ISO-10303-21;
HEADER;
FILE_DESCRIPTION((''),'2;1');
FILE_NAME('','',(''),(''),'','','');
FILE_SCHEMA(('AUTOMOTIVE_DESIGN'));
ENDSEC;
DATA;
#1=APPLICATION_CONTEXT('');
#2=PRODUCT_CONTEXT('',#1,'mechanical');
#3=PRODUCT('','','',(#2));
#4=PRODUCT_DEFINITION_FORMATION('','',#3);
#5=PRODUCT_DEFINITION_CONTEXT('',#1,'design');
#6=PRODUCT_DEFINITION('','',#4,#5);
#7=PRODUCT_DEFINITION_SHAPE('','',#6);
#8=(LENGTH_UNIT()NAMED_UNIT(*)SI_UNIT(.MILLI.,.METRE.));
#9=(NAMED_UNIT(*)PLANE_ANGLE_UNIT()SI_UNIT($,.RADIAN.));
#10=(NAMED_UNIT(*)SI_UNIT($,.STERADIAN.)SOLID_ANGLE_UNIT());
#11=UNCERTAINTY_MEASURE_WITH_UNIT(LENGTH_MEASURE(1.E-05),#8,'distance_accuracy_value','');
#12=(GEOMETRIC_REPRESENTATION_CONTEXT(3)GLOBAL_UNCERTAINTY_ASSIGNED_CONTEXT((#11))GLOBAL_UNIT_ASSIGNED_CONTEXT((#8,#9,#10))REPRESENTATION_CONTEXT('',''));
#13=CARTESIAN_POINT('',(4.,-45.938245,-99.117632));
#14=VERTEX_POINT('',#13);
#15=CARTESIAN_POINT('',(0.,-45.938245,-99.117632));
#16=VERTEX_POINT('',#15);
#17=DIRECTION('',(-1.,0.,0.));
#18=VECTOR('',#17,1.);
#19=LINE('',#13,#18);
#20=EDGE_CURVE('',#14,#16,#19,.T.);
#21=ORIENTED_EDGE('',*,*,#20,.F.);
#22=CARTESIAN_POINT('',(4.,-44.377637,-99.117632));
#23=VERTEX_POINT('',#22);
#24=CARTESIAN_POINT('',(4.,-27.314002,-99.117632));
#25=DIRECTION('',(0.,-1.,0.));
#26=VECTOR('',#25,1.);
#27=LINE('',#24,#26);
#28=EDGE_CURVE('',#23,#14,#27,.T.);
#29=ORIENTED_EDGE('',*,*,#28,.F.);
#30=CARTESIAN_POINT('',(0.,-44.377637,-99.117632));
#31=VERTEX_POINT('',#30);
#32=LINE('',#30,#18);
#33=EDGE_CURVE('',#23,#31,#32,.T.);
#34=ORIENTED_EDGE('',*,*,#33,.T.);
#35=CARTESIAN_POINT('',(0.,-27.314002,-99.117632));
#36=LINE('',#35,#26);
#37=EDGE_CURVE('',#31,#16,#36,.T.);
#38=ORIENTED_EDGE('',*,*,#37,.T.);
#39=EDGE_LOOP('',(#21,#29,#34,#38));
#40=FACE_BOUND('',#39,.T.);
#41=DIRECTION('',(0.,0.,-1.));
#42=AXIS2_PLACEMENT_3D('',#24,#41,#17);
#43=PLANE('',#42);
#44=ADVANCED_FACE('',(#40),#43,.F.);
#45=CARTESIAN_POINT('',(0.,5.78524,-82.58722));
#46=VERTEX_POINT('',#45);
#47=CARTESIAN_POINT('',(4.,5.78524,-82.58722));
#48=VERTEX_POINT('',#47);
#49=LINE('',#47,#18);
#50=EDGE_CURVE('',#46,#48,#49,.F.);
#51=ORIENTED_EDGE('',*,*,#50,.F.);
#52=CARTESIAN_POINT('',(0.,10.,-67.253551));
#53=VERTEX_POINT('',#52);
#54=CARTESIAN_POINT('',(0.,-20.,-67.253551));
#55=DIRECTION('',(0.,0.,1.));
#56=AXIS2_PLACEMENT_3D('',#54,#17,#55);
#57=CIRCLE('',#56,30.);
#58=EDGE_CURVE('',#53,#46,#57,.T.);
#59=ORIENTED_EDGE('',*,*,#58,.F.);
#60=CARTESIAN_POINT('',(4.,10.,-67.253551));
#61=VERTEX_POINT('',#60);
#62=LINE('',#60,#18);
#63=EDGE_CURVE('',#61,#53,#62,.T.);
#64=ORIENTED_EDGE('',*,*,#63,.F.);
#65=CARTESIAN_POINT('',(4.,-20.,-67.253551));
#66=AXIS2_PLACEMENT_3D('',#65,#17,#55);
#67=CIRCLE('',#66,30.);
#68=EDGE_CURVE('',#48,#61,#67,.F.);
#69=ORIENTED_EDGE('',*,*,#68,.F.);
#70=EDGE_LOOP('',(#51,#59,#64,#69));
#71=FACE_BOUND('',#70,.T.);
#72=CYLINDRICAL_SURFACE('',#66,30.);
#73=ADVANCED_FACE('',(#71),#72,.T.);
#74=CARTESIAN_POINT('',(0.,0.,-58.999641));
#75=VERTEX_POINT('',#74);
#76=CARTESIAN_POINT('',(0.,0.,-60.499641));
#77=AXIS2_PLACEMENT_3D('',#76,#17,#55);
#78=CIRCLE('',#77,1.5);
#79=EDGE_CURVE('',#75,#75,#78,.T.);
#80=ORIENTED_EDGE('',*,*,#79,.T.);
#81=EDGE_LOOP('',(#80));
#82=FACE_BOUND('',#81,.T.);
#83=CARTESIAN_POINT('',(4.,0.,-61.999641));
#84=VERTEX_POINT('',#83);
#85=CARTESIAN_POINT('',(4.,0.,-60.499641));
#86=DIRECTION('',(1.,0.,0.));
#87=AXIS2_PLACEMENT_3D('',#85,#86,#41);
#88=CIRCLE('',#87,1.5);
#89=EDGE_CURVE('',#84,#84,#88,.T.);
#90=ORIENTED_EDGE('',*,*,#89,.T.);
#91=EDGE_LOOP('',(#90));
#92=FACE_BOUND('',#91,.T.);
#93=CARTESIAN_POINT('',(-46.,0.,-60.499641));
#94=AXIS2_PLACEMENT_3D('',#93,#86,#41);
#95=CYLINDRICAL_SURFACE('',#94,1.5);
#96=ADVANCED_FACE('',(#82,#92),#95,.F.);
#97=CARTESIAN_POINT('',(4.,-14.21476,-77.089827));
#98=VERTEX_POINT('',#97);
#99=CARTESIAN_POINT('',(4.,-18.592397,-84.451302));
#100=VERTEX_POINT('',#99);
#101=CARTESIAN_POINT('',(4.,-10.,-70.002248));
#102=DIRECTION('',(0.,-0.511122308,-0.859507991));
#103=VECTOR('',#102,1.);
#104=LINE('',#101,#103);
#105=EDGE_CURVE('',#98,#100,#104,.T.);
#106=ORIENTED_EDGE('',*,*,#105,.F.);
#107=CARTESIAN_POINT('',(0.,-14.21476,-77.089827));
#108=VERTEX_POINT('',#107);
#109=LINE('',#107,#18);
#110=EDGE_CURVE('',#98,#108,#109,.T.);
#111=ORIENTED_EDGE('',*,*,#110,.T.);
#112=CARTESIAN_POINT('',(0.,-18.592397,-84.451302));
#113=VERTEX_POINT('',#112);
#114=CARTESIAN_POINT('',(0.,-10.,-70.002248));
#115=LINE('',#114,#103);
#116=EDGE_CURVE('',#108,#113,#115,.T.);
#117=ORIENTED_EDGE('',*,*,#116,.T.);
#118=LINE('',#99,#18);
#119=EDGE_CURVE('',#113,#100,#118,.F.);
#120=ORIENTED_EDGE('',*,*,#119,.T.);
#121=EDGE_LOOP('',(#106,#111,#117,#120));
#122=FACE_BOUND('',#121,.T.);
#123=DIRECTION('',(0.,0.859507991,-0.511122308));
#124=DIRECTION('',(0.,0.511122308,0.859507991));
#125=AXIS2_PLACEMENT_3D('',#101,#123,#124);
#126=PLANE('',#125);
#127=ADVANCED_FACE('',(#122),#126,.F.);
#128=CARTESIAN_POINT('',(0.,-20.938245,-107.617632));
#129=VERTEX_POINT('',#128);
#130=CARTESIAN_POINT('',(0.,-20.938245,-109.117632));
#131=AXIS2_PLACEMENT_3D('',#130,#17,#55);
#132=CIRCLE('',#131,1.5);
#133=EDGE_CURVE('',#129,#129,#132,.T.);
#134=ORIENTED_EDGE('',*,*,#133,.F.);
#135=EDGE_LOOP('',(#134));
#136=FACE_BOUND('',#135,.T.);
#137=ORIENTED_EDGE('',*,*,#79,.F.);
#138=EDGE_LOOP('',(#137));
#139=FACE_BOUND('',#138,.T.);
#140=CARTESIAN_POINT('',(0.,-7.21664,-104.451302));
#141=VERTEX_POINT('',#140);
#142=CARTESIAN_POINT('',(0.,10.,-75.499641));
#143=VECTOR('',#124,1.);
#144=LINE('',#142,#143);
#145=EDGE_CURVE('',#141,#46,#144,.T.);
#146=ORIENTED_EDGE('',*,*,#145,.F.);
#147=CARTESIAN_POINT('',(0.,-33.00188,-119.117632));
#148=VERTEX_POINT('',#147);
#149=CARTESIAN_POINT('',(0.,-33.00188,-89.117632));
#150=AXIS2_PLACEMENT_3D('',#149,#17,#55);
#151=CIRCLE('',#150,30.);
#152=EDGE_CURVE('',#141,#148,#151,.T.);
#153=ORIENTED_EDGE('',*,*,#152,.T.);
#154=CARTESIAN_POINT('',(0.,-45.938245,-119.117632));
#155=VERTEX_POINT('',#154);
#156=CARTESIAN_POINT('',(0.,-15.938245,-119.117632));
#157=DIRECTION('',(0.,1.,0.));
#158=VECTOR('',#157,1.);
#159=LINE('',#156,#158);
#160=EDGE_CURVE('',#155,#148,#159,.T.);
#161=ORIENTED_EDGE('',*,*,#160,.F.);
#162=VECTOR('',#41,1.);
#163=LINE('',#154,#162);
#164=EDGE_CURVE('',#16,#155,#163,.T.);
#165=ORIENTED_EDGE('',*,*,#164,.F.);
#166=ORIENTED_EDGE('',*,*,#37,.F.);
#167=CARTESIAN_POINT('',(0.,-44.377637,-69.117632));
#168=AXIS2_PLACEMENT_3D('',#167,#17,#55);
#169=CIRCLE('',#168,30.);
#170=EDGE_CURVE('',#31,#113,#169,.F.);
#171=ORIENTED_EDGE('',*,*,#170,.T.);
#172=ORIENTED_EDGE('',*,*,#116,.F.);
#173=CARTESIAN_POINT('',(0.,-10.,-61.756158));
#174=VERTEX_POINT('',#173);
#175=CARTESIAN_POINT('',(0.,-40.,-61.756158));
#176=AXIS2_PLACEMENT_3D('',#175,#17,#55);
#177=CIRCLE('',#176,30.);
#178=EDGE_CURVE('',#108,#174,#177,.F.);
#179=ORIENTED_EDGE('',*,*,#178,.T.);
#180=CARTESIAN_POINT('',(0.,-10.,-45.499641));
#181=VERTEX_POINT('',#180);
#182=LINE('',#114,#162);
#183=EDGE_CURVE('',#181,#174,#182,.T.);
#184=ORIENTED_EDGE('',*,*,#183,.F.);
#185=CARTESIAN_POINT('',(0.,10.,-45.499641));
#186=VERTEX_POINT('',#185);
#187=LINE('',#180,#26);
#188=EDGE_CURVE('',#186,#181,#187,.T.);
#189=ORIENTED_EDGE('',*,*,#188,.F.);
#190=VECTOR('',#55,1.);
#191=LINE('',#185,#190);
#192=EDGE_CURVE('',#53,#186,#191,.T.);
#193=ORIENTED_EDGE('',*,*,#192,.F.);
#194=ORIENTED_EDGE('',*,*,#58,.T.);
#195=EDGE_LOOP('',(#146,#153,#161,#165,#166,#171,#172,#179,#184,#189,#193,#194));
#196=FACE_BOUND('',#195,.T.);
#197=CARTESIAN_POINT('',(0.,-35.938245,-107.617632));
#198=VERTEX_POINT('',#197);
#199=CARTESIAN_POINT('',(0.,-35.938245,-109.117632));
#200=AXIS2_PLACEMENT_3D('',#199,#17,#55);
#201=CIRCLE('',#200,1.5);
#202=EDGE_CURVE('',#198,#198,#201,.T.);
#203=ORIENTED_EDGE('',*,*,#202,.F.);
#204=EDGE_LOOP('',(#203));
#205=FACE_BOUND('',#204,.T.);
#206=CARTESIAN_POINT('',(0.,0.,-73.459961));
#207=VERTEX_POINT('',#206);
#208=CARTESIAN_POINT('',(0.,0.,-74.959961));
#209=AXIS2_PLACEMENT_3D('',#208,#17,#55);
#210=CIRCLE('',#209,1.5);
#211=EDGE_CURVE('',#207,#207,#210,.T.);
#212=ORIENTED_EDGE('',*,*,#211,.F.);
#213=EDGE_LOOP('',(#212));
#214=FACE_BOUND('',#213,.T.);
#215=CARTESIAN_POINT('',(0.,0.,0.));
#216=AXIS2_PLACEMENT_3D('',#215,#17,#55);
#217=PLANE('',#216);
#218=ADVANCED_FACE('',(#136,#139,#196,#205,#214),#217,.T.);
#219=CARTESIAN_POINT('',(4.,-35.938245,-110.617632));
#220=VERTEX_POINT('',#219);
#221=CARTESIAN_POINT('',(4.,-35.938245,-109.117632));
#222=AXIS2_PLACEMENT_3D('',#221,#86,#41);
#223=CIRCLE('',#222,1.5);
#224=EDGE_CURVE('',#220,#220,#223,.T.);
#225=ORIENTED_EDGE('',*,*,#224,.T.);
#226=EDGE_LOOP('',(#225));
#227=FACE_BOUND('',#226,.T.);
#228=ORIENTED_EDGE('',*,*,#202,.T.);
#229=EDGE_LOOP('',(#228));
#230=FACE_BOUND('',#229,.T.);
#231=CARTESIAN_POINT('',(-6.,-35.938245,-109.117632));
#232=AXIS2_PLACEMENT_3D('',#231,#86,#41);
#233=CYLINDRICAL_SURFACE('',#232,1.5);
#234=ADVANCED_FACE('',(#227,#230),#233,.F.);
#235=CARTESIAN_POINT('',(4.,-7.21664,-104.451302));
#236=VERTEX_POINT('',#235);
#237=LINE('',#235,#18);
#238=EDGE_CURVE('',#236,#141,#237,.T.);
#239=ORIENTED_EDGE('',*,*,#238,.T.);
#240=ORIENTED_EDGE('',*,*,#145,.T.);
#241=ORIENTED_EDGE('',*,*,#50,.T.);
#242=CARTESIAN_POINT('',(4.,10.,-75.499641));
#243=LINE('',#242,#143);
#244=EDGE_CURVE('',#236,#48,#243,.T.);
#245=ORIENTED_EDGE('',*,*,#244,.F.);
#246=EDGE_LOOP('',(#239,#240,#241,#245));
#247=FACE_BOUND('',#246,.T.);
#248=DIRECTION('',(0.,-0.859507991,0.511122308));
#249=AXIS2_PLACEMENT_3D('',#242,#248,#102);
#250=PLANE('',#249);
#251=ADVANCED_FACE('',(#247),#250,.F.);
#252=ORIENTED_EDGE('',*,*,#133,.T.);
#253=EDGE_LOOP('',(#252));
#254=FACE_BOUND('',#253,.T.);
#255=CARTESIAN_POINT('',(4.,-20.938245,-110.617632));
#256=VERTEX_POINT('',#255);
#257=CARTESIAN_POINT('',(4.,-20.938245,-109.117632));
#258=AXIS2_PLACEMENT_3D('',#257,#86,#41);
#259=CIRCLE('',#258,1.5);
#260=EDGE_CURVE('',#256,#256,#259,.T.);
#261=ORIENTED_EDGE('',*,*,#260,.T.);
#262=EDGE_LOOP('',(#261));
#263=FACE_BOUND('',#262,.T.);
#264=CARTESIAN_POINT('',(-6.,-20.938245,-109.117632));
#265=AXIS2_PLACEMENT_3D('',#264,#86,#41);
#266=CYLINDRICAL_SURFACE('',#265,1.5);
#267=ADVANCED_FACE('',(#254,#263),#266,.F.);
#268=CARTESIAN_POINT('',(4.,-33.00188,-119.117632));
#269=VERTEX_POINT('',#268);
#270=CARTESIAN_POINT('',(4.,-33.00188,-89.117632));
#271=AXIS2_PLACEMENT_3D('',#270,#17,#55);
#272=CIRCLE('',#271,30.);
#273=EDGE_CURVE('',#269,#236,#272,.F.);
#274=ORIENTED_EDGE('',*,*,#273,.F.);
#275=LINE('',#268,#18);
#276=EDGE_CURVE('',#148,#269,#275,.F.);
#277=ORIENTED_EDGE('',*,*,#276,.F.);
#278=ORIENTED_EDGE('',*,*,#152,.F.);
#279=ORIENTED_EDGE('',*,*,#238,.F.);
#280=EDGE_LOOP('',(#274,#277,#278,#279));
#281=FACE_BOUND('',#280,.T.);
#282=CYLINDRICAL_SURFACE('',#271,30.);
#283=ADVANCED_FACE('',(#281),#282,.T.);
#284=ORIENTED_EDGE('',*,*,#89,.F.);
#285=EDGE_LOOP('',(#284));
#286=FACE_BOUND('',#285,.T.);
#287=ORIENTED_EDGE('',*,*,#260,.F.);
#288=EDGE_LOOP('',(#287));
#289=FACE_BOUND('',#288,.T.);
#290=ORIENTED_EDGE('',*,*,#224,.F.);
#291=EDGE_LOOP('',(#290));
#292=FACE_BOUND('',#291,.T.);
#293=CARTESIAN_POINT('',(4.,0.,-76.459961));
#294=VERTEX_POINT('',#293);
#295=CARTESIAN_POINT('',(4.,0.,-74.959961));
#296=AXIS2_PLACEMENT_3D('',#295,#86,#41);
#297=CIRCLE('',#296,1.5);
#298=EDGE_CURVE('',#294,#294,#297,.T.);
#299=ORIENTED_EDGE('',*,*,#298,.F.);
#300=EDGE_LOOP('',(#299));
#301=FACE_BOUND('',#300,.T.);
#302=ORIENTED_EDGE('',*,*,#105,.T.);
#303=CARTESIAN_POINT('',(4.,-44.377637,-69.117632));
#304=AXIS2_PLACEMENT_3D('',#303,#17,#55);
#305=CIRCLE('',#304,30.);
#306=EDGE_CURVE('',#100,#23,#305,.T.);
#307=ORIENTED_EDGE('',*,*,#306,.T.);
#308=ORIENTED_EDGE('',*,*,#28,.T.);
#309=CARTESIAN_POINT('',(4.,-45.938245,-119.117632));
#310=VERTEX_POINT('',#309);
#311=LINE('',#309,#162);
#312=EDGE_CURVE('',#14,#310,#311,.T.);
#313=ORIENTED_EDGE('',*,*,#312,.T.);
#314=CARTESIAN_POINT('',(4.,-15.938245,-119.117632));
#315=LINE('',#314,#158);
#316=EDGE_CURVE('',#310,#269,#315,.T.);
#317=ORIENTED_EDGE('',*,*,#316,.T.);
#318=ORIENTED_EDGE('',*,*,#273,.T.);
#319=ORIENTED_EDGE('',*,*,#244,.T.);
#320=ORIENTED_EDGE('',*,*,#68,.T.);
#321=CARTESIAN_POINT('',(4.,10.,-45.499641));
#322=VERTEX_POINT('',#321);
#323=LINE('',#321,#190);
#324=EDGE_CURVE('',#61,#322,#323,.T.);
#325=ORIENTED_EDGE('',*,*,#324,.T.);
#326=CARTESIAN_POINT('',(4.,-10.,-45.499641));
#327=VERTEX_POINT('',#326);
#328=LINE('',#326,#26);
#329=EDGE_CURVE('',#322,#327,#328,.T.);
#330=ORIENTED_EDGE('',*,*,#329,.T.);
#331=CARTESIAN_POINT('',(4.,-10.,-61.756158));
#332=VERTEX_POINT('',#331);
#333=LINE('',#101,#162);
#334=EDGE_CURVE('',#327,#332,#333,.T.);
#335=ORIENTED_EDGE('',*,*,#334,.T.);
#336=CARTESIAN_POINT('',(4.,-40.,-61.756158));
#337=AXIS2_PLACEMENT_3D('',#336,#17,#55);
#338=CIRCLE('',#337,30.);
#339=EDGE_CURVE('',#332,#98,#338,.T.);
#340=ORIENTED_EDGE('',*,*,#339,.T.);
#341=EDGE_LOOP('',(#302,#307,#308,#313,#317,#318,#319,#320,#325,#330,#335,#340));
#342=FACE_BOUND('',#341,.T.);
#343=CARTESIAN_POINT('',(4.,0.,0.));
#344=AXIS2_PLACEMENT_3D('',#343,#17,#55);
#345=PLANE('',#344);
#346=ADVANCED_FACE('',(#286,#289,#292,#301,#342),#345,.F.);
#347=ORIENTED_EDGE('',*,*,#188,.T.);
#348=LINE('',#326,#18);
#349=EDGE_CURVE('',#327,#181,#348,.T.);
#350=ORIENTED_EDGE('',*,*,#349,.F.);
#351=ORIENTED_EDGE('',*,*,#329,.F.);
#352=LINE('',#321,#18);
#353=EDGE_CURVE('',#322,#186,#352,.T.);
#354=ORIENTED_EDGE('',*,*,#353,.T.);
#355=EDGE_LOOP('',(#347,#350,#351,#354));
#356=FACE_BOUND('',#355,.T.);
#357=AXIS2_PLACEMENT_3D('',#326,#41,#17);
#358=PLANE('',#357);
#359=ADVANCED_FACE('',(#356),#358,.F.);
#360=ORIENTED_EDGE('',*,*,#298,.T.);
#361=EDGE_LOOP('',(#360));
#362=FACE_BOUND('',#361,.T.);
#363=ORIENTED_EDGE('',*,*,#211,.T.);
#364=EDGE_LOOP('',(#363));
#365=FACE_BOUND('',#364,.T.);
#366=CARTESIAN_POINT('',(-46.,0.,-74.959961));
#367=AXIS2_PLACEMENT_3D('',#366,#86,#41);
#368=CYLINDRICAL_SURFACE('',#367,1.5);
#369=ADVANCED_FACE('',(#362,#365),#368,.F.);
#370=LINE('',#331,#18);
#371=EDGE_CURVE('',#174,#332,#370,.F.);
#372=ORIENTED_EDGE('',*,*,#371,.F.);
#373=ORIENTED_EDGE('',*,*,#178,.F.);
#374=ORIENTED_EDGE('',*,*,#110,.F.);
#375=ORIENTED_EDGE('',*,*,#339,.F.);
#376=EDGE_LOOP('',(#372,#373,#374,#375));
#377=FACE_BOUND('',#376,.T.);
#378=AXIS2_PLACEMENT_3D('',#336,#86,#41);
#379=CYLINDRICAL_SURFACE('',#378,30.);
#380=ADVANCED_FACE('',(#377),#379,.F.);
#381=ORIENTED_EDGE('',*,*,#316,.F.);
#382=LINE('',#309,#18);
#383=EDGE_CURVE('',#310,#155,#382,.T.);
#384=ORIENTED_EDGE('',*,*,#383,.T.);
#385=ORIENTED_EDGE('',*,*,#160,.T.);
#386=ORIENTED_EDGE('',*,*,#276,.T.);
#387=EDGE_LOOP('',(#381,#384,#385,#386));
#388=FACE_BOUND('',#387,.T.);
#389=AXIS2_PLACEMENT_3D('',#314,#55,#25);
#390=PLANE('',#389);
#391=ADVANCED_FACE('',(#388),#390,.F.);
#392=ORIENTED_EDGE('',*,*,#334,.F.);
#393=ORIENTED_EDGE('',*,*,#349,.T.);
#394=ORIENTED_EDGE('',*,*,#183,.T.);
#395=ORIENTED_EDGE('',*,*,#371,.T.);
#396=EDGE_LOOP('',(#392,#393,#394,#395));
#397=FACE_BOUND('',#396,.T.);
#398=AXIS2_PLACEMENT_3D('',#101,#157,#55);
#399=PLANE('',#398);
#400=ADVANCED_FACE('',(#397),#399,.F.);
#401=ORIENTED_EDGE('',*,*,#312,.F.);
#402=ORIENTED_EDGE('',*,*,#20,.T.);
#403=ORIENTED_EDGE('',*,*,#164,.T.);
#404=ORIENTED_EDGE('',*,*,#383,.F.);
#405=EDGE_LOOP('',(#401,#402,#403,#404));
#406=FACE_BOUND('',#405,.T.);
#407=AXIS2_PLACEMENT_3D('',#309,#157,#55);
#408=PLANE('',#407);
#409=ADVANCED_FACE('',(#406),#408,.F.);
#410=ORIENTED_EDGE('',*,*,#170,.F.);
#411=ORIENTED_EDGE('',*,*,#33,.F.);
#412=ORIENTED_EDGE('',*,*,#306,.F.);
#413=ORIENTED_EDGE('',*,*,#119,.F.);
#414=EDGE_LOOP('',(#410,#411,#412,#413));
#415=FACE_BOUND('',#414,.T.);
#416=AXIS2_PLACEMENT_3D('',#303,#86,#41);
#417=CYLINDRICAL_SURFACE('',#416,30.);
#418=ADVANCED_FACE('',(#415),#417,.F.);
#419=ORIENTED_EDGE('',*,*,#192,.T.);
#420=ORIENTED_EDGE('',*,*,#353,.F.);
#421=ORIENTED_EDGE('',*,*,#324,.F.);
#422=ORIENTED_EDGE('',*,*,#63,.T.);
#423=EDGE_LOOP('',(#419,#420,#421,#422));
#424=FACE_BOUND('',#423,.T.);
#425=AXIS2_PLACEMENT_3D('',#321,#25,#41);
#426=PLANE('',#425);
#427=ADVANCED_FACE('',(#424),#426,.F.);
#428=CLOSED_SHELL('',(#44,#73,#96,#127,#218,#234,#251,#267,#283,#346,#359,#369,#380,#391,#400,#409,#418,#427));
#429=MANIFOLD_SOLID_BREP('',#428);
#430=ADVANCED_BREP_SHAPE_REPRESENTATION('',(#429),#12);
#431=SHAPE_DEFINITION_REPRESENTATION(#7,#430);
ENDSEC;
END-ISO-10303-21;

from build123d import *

# Parameters (mm, degrees)
SALIENTE_EXTRUIR1_DEPTH = 4
REDONDEO1_R             = 30
CROQUIS2_R              = 1.5
CORTAR_EXTRUIR1_DEPTH   = 50
CROQUIS3_R              = 1.5
CORTAR_EXTRUIR2_DEPTH   = 10


with BuildPart() as part:
    # Croquis1 → Saliente-Extruir1 (new body)
    with BuildSketch(Plane(origin=(0, 0, 0), x_dir=(0, 0, -1), z_dir=(1, 0, 0))):
        Polygon((45.499640595, 10), (75.499640595, 10), (119.117632426, -15.938244799), (119.117632426, -45.938244799), (99.117632426, -45.938244799), (99.117632426, -27.314001558), (70.002247619, -10), (45.499640595, -10), align=None)
    extrude(amount=SALIENTE_EXTRUIR1_DEPTH)

    # Redondeo1
    redondeo1_edges = [part.edges().sort_by_distance(p)[0] for p in [
        (2, -27.314001558, -99.117632426),
        (2, -10, -70.002247619),
        (2, 10, -75.499640595),
        (2, -15.938244799, -119.117632426),
    ]]
    fillet(redondeo1_edges, radius=REDONDEO1_R)

    # Croquis2 → Cortar-Extruir1 (cut)
    with BuildSketch(Plane(origin=(4, 0, 0), x_dir=(0, 0, -1), z_dir=(1, 0, 0))):
        with Locations((60.499640595, 0)):
            Circle(CROQUIS2_R)
        with Locations((74.959961296, 0)):
            Circle(CROQUIS2_R)
    extrude(amount=-CORTAR_EXTRUIR1_DEPTH, mode=Mode.SUBTRACT)

    # Croquis3 → Cortar-Extruir2 (cut)
    with BuildSketch(Plane(origin=(4, 0, 0), x_dir=(0, 0, -1), z_dir=(1, 0, 0))):
        with Locations((109.117632426, -35.938244799)):
            Circle(CROQUIS3_R)
        with Locations((109.117632426, -20.938244799)):
            Circle(CROQUIS3_R)
    extrude(amount=-CORTAR_EXTRUIR2_DEPTH, mode=Mode.SUBTRACT)


solid = part.part
